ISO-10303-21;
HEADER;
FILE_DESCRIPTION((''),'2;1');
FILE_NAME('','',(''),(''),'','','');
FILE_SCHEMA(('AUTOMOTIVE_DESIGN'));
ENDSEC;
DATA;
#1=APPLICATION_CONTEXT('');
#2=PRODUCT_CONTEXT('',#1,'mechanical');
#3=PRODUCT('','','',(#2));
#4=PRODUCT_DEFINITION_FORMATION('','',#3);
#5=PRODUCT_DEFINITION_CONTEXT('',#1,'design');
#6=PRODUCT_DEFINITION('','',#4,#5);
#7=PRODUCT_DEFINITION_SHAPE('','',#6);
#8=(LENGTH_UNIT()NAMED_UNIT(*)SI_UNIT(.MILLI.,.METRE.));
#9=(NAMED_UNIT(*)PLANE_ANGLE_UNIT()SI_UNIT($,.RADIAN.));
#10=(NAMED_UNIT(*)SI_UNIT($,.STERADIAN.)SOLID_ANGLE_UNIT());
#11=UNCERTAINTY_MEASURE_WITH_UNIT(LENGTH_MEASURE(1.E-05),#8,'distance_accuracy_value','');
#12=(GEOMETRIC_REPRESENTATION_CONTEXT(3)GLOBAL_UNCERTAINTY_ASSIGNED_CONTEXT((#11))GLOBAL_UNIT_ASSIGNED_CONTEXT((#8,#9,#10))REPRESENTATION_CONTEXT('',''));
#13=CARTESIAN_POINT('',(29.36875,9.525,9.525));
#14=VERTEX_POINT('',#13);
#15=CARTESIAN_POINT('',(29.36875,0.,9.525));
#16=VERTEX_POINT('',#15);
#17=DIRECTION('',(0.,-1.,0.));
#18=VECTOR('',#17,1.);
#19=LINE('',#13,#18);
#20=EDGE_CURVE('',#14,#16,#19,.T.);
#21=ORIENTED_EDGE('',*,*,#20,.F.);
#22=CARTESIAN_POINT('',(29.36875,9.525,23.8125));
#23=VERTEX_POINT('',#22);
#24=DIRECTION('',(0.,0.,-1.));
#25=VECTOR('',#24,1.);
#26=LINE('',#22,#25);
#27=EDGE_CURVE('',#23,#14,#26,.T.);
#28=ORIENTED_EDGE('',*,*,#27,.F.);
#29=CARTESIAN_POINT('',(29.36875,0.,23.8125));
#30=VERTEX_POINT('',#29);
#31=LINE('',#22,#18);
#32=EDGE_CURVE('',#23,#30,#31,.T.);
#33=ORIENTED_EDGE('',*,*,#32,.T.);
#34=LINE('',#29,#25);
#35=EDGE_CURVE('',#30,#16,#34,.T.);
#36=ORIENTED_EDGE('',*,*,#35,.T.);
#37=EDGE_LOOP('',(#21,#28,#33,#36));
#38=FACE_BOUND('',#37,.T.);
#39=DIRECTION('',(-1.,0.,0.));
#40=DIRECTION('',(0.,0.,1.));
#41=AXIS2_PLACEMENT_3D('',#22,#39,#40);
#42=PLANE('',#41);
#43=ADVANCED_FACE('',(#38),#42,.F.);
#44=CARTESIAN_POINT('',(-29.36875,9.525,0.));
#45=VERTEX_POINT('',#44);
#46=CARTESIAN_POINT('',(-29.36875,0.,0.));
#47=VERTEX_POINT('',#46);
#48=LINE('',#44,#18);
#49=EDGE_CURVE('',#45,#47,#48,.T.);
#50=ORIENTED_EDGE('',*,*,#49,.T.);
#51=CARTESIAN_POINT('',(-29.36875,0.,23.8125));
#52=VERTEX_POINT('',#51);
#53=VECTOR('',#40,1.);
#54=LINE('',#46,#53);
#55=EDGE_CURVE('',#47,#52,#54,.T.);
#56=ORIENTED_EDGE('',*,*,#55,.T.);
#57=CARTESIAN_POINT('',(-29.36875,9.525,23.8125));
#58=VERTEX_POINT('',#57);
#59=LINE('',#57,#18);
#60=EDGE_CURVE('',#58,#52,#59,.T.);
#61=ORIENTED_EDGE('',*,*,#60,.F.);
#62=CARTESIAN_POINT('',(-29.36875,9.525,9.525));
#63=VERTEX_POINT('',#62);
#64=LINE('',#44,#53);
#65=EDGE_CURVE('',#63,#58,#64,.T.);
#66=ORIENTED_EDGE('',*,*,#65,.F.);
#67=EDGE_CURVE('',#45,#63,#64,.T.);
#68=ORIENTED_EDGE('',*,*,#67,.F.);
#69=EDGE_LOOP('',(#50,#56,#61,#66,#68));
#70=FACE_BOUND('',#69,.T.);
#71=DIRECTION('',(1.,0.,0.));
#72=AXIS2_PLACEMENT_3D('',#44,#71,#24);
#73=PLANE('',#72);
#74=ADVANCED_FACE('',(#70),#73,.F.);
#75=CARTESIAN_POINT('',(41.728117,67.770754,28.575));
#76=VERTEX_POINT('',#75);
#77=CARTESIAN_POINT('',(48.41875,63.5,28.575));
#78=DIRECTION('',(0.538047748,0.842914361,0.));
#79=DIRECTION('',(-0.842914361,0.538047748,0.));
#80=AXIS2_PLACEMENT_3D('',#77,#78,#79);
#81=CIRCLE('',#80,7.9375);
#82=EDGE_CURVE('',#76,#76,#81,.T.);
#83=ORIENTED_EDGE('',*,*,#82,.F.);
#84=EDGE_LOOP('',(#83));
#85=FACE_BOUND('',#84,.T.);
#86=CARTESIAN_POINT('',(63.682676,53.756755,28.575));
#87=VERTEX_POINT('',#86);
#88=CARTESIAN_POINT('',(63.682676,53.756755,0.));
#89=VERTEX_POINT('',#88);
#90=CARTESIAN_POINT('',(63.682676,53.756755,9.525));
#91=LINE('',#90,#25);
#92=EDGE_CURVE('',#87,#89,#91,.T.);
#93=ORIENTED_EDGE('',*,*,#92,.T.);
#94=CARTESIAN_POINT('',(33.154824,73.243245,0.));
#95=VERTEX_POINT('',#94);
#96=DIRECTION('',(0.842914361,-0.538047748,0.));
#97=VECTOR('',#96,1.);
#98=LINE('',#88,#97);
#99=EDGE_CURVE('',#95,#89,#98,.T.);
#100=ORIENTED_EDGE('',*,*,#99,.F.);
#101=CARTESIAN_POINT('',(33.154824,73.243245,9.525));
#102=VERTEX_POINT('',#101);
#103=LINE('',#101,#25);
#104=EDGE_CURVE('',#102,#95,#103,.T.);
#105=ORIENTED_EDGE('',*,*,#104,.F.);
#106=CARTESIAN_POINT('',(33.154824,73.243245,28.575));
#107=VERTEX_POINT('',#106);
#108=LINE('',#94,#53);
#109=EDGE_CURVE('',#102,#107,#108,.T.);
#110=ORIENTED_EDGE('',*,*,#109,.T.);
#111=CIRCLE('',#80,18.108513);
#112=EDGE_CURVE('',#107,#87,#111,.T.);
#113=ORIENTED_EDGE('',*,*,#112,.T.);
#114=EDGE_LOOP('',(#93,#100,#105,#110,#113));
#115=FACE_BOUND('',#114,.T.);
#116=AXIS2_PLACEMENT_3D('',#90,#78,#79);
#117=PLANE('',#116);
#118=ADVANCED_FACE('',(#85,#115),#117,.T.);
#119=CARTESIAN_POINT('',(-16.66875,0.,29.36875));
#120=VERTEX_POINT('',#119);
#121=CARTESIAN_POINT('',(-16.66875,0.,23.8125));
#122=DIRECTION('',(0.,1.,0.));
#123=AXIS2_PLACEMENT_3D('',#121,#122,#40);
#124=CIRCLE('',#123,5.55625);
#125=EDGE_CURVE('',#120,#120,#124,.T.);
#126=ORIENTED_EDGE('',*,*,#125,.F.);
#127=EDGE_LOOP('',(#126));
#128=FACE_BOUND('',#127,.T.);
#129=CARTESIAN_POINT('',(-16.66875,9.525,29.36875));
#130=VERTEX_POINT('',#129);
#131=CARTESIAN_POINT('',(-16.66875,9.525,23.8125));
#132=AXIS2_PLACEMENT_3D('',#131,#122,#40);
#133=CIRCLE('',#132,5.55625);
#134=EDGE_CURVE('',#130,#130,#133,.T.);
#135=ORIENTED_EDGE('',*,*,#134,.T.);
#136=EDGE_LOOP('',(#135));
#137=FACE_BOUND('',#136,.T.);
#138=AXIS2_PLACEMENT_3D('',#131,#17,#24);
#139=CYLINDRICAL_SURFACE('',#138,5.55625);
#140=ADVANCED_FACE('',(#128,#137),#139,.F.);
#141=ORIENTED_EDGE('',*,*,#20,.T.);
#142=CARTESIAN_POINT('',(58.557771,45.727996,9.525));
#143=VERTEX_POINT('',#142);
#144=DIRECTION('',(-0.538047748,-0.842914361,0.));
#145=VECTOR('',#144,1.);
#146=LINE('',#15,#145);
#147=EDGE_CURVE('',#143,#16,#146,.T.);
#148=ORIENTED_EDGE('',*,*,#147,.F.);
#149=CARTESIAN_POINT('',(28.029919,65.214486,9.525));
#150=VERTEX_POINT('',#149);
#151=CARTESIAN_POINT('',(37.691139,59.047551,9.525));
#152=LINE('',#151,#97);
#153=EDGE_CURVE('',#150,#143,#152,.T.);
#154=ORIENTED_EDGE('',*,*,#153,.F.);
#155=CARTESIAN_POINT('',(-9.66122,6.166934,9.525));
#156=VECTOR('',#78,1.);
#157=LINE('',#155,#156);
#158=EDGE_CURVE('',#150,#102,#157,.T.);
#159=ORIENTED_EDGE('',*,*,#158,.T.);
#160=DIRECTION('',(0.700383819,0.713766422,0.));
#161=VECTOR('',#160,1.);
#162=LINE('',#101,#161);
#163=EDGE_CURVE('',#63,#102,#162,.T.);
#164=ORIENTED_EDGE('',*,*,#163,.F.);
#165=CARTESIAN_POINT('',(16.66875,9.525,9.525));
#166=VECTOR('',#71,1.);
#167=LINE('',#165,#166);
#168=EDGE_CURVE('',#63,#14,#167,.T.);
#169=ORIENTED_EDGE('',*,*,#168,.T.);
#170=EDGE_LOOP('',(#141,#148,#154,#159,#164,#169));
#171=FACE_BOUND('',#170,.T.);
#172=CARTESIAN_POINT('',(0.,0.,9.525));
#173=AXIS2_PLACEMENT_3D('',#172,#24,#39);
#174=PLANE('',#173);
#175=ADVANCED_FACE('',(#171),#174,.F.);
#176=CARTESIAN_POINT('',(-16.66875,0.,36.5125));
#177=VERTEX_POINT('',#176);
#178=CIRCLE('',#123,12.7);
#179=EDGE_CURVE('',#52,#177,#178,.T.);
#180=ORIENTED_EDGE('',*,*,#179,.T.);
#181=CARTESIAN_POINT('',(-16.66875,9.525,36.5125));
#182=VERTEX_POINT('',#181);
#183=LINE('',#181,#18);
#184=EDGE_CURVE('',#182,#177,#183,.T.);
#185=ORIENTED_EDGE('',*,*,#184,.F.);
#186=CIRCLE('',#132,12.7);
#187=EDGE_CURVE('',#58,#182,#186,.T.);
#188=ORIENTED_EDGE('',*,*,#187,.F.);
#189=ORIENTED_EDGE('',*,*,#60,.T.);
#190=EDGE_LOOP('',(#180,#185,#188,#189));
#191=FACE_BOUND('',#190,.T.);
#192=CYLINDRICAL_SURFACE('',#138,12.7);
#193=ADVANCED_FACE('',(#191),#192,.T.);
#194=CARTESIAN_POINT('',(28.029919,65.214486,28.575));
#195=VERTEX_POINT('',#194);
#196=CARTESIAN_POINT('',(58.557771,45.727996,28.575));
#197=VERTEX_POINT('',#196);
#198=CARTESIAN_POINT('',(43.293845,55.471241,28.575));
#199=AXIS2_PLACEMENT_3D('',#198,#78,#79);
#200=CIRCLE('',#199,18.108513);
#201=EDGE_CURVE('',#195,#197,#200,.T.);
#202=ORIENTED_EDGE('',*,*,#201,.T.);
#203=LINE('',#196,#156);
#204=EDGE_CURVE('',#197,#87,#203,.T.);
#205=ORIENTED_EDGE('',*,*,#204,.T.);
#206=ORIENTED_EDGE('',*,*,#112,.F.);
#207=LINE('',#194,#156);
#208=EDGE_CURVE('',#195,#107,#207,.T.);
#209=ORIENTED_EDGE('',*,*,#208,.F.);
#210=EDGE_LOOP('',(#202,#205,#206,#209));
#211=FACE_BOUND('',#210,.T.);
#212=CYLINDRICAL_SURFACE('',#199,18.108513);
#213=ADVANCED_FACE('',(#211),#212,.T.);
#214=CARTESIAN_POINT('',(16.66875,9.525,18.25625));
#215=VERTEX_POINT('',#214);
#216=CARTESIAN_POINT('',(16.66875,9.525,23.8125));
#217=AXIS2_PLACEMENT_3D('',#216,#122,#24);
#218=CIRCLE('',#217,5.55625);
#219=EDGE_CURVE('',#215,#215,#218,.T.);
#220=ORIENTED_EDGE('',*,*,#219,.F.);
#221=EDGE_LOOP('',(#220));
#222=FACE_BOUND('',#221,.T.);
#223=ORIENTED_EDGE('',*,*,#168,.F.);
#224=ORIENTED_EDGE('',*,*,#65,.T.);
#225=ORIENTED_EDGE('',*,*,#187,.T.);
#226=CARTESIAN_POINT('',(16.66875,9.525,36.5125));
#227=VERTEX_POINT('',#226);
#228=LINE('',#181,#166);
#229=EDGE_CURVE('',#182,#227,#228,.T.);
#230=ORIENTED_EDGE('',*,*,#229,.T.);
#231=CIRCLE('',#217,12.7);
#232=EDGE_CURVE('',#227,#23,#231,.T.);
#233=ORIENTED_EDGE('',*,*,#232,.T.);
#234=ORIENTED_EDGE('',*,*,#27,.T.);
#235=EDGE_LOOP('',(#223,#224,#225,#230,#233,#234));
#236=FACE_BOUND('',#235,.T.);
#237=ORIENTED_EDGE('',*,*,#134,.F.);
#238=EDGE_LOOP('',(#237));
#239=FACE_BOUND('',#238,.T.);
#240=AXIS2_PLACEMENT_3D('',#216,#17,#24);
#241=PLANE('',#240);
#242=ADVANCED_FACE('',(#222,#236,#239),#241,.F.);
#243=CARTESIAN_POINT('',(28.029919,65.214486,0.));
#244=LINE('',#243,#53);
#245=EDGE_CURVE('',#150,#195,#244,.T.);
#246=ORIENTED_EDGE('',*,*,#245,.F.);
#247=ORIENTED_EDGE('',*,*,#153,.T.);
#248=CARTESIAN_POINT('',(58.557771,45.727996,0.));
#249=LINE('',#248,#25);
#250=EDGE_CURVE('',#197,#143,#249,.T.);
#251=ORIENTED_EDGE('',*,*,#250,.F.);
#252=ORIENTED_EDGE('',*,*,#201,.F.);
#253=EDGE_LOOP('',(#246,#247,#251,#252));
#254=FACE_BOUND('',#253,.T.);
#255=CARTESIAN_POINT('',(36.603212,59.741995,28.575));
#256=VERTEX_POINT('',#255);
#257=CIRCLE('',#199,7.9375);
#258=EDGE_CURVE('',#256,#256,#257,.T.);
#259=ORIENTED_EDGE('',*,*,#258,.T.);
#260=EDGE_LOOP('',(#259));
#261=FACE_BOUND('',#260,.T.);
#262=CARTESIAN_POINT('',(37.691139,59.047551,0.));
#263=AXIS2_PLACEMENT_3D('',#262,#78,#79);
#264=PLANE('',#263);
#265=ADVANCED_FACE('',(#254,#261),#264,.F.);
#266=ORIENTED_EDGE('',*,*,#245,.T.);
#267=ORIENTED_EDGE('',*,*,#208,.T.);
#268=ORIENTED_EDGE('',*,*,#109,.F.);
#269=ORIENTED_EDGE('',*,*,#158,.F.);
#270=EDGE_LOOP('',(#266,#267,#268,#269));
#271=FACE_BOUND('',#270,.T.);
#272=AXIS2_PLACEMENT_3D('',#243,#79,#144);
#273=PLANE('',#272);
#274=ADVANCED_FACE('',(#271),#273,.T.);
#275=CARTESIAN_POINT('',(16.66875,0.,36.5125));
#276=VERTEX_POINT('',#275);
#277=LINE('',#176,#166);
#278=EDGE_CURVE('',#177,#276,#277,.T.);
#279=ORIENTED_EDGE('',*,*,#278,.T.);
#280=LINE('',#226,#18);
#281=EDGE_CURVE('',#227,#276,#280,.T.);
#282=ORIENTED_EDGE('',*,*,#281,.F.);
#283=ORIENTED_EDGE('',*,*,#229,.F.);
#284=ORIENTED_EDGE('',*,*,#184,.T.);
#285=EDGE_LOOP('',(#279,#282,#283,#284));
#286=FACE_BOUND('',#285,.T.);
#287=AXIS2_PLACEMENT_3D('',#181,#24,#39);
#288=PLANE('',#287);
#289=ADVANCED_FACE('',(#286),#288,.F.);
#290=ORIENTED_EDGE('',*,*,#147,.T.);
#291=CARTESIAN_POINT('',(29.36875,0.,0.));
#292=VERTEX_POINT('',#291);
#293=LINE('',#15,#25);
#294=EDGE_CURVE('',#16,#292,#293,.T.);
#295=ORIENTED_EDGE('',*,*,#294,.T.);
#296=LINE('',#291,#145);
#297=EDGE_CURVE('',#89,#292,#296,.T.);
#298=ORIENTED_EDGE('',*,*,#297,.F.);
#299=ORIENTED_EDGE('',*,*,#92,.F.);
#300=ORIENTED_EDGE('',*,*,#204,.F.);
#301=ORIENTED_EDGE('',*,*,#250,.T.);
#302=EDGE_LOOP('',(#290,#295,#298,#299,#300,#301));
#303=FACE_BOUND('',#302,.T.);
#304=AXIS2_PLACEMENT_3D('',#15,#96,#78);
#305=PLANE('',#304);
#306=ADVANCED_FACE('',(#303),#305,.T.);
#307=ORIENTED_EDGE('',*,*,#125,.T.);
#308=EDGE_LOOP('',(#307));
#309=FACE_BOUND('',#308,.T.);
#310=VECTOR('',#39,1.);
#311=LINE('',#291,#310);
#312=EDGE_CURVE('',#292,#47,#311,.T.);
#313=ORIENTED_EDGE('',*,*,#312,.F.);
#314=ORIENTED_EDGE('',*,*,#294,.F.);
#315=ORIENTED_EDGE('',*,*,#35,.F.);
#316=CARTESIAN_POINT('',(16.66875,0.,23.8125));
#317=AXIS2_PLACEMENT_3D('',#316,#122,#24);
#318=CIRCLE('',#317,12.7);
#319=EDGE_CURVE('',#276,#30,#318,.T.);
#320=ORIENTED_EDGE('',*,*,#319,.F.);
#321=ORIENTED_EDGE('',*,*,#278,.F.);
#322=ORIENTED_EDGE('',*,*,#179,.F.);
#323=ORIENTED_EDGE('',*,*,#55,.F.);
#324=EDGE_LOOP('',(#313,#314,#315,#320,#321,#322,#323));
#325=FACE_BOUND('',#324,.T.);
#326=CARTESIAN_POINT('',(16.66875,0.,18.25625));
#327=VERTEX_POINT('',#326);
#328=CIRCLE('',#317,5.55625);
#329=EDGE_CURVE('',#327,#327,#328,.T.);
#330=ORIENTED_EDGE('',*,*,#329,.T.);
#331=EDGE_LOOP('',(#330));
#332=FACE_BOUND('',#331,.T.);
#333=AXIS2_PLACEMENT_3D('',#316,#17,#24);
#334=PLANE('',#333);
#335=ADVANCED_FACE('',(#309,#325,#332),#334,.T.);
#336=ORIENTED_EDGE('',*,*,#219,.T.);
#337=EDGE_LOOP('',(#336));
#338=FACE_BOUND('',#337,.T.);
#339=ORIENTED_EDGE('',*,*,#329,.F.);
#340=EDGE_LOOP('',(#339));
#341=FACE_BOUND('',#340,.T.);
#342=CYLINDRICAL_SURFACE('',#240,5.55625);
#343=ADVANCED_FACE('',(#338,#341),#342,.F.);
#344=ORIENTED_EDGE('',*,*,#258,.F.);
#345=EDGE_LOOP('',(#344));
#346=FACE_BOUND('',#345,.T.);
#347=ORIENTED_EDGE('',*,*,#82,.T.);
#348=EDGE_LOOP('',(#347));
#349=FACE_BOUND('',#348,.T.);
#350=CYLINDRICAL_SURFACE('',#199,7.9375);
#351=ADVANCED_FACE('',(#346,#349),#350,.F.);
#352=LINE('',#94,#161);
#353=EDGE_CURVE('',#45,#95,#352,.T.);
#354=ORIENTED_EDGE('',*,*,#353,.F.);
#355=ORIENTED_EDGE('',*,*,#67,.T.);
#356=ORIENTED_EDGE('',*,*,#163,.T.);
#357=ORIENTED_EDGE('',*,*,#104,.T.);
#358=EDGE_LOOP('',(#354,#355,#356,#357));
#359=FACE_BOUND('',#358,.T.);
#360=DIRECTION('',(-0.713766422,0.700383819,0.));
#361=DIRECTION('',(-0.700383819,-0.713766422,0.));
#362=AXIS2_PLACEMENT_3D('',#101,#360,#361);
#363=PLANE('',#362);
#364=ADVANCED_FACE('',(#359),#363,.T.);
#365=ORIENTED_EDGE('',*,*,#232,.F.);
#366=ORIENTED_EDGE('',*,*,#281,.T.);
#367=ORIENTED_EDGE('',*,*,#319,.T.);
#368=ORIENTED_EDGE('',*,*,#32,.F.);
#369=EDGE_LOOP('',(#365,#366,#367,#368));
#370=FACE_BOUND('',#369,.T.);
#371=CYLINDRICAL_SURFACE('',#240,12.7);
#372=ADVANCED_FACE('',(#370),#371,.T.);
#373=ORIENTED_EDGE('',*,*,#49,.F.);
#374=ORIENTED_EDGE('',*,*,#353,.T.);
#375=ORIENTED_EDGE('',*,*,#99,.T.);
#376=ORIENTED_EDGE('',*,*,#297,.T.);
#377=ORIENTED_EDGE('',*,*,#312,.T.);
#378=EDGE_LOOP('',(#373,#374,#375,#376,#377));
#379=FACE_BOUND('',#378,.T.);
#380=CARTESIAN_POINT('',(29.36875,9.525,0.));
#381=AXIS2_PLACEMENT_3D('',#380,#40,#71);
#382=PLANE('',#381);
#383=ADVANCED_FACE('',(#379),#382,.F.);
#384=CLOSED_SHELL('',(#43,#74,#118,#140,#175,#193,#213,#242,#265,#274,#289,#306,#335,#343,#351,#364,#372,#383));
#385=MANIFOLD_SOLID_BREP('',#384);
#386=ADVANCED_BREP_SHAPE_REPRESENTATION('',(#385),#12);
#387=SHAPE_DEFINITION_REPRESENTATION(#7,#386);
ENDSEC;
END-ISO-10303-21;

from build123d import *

# Parameters (mm, degrees)
SKETCH1_R           = 5.55625
BOSS_EXTRUDE1_DEPTH = 9.525
BOSS_EXTRUDE2_DEPTH = 9.525
SKETCH4_W           = 36.217026874
SKETCH4_H           = 9.525
BOSS_EXTRUDE3_DEPTH = 9.525


with BuildPart() as part:
    # Sketch1 → Boss-Extrude1 (new body)
    with BuildSketch(Plane(origin=(0, 0, 0), x_dir=(1, 0, 0), z_dir=(0, 1, 0))):
        with BuildLine():
            Line((29.36875, 0), (-29.36875, 0))
            Line((-29.36875, 0), (-29.36875, -23.8125))
            ThreePointArc((-29.36875, -23.8125), (-25.649006121, -32.792756121), (-16.66875, -36.5125))
            Line((-16.66875, -36.5125), (16.66875, -36.5125))
            ThreePointArc((16.66875, -36.5125), (25.649006121, -32.792756121), (29.36875, -23.8125))
            Line((29.36875, -23.8125), (29.36875, 0))
        make_face()
        with Locations((-16.66875, -23.8125)):
            Circle(SKETCH1_R, mode=Mode.SUBTRACT)
        with Locations((16.66875, -23.8125)):
            Circle(SKETCH1_R, mode=Mode.SUBTRACT)
    extrude(amount=BOSS_EXTRUDE1_DEPTH)

    # Sketch2 → Boss-Extrude2 (add)
    with BuildSketch(Plane(origin=(0, 0, 0), x_dir=(-1, 0, 0), z_dir=(0, 0, -1))):
        Polygon((-29.36875, 0), (-63.682676038, 53.756755119), (-33.154823962, 73.243244881), (29.36875, 9.525), (29.36875, 0), align=None)
    extrude(amount=-BOSS_EXTRUDE2_DEPTH)

    # Sketch4 → Boss-Extrude3 (add)
    with BuildSketch(Plane(origin=(42.816043465, 67.076310684, 0), x_dir=(0.842914361, -0.538047748, 0), z_dir=(0.538047748, 0.842914361, 0))):
        with Locations((6.646827712, -4.7625)):
            Rectangle(SKETCH4_W, SKETCH4_H)
        with BuildLine():
            Line((-1.290672288, -28.575), (-11.461685725, -28.575))
            ThreePointArc((-11.461685725, -28.575), (6.646827712, -46.683513437), (24.755341149, -28.575))
            Line((24.755341149, -28.575), (14.584327712, -28.575))
            ThreePointArc((14.584327712, -28.575), (6.646827712, -36.5125), (-1.290672288, -28.575))
        make_face()
        with BuildLine():
            Line((24.755341149, -9.525), (-11.461685725, -9.525))
            Line((-11.461685725, -9.525), (-11.461685725, -28.575))
            Line((-11.461685725, -28.575), (-1.290672288, -28.575))
            ThreePointArc((-1.290672288, -28.575), (6.646827712, -20.6375), (14.584327712, -28.575))
            Line((14.584327712, -28.575), (24.755341149, -28.575))
            Line((24.755341149, -28.575), (24.755341149, -9.525))
        make_face()
    extrude(amount=-BOSS_EXTRUDE3_DEPTH)


solid = part.part
